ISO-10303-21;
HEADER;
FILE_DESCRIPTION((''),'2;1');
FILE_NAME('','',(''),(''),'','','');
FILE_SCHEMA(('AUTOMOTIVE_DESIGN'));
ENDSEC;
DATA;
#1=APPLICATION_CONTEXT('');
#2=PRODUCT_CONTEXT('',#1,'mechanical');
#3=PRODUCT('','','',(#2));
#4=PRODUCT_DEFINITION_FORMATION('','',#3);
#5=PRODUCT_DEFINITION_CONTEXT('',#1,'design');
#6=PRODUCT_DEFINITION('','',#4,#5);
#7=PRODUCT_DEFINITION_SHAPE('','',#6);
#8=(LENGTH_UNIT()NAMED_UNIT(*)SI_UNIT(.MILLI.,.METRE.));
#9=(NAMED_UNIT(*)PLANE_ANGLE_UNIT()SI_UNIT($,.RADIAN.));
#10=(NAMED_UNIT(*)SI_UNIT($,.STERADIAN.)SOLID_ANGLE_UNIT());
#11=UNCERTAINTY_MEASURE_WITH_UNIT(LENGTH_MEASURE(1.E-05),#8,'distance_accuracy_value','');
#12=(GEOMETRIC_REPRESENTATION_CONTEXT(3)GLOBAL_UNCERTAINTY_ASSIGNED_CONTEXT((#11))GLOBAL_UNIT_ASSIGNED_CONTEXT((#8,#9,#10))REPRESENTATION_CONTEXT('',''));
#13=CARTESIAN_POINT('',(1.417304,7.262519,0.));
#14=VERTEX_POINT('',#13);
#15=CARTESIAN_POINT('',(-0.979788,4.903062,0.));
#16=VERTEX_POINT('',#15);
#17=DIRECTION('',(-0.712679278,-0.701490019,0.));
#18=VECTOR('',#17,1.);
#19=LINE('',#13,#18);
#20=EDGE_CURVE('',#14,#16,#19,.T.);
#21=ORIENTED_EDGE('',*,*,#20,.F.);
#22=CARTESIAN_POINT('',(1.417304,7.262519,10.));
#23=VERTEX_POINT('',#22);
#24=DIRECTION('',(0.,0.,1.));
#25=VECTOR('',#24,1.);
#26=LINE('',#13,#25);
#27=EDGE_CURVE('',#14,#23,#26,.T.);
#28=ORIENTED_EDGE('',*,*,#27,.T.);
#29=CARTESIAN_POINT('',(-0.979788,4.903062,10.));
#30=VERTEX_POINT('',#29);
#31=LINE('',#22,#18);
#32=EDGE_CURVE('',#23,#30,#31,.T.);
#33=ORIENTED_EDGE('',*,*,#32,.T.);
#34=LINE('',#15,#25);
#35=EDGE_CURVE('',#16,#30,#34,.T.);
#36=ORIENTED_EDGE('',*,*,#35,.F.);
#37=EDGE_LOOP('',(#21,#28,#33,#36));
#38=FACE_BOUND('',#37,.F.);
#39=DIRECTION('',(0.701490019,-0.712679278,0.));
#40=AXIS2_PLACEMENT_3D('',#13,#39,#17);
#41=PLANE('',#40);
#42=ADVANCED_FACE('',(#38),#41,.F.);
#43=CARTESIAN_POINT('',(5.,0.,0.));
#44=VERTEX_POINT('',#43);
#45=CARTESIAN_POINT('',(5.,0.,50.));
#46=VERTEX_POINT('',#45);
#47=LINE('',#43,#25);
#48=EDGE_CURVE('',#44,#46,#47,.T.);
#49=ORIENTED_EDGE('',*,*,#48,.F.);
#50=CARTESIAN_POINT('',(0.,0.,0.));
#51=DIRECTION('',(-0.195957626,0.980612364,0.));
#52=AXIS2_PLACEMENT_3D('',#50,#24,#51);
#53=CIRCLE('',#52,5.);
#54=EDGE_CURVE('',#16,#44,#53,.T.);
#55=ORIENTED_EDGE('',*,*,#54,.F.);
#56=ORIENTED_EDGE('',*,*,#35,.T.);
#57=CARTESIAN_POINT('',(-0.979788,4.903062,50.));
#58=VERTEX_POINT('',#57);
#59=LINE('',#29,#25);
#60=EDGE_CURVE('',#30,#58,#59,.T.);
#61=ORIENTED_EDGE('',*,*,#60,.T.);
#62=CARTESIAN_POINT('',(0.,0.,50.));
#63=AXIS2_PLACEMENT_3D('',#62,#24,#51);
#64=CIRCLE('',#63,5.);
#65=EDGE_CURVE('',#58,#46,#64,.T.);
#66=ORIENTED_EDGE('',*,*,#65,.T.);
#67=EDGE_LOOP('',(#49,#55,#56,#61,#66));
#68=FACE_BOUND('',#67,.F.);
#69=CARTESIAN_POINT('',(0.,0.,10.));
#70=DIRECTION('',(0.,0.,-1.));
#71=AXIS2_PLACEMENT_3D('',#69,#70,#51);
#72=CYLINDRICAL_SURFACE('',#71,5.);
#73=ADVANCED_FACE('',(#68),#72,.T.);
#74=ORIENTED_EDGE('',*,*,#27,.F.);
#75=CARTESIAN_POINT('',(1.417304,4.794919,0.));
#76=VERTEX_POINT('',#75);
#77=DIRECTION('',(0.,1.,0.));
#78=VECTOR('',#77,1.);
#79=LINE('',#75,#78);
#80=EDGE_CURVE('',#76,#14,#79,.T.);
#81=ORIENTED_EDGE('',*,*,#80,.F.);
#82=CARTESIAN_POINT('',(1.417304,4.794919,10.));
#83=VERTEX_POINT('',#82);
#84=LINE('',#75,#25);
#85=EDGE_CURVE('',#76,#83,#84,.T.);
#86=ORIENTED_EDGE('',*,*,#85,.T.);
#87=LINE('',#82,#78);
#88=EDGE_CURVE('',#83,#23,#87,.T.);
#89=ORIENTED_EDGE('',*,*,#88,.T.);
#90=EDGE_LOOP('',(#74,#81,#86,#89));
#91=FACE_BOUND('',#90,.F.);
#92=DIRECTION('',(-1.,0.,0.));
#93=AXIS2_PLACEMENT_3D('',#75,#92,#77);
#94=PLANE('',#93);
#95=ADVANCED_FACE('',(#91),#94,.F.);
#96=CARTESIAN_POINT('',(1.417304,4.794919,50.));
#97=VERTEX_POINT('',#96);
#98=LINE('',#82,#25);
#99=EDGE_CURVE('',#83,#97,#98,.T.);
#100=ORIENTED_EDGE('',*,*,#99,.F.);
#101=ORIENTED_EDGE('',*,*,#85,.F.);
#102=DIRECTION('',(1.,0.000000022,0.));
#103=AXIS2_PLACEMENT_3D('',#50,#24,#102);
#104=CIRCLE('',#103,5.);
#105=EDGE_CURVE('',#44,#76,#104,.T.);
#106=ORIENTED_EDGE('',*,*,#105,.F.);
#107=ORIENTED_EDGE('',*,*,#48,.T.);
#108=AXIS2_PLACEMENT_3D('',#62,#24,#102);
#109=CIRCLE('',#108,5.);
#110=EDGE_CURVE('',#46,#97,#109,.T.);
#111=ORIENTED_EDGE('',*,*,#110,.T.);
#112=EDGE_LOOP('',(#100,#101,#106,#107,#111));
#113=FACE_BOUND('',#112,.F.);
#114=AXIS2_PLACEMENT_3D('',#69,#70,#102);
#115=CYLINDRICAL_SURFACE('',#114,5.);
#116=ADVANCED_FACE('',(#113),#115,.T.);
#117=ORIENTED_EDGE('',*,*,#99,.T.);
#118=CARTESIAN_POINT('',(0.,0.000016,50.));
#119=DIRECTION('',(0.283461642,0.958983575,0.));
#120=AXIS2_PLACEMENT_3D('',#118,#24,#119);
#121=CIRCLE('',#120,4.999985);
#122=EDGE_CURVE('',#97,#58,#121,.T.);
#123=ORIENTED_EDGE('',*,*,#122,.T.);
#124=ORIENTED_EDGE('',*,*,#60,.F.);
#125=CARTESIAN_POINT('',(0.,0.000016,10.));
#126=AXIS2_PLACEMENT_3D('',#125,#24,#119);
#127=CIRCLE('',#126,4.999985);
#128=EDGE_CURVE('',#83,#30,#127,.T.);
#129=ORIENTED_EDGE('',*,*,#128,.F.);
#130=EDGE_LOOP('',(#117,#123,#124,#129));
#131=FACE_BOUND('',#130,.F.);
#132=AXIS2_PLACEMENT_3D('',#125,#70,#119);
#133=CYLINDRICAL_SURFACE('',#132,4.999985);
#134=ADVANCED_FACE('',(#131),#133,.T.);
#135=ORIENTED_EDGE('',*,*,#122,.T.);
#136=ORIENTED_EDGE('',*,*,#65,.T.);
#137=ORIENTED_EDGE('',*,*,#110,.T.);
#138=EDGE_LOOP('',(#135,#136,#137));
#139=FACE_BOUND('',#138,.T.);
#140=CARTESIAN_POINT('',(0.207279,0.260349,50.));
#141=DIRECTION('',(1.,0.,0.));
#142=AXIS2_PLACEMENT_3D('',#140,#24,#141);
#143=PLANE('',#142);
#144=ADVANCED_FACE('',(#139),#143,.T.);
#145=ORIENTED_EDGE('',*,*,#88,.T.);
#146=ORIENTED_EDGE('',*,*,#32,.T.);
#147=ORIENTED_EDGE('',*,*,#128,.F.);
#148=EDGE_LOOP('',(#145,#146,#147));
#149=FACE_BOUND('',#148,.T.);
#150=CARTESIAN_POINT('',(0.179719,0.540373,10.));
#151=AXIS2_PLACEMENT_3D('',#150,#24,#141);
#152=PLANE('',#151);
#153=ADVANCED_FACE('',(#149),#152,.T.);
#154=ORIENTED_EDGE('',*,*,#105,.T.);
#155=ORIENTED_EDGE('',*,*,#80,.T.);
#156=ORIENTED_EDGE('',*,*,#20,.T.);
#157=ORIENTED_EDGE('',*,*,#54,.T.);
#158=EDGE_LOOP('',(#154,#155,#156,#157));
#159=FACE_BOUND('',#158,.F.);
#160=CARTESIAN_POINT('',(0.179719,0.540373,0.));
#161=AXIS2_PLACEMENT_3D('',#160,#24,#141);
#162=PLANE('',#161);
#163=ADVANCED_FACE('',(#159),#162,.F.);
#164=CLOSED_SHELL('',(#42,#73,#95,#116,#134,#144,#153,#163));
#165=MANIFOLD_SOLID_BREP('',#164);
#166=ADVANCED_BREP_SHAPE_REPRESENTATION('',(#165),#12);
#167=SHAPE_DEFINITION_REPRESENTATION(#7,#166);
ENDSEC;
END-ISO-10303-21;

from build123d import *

# Parameters (mm, degrees)
F1_DEPTH = 10
F3_DEPTH = 40


with BuildPart() as f1:
    # F0 (on Top) → F1 (new body)
    with BuildSketch(Plane.XY):
        with BuildLine():
            ThreePointArc((-0.979788, 4.903062), (-3.170257, -3.866454), (5, 0))
            ThreePointArc((5, 0), (4.005404, 2.992781), (1.417304, 4.794919))
            Line((1.417304, 4.794919), (0, 0))
            Line((0, 0), (-0.979788, 4.903062))
        make_face()
        with BuildLine():
            Line((0, 0), (1.417304, 4.794919))
            ThreePointArc((1.417304, 4.794919), (0.225342, 4.99492), (-0.979788, 4.903062))
            Line((-0.979788, 4.903062), (0, 0))
        make_face()
        with BuildLine():
            ThreePointArc((-0.979788, 4.903062), (0.225342, 4.99492), (1.417304, 4.794919))
            Line((1.417304, 4.794919), (1.417304, 7.262519))
            Line((1.417304, 7.262519), (-0.979788, 4.903062))
        make_face()
    extrude(amount=F1_DEPTH)

    # F2 (on face) → F3 (join)
    with BuildSketch(Plane.XY.offset(10)):
        with BuildLine():
            ThreePointArc((-0.979788, 4.903062), (-3.170257, -3.866454), (5, 0))
            ThreePointArc((5, 0), (4.005404, 2.992781), (1.417304, 4.794919))
            ThreePointArc((1.417304, 4.794919), (0.225342, 4.99492), (-0.979788, 4.903062))
        make_face()
    extrude(amount=F3_DEPTH)


solid = f1.part
